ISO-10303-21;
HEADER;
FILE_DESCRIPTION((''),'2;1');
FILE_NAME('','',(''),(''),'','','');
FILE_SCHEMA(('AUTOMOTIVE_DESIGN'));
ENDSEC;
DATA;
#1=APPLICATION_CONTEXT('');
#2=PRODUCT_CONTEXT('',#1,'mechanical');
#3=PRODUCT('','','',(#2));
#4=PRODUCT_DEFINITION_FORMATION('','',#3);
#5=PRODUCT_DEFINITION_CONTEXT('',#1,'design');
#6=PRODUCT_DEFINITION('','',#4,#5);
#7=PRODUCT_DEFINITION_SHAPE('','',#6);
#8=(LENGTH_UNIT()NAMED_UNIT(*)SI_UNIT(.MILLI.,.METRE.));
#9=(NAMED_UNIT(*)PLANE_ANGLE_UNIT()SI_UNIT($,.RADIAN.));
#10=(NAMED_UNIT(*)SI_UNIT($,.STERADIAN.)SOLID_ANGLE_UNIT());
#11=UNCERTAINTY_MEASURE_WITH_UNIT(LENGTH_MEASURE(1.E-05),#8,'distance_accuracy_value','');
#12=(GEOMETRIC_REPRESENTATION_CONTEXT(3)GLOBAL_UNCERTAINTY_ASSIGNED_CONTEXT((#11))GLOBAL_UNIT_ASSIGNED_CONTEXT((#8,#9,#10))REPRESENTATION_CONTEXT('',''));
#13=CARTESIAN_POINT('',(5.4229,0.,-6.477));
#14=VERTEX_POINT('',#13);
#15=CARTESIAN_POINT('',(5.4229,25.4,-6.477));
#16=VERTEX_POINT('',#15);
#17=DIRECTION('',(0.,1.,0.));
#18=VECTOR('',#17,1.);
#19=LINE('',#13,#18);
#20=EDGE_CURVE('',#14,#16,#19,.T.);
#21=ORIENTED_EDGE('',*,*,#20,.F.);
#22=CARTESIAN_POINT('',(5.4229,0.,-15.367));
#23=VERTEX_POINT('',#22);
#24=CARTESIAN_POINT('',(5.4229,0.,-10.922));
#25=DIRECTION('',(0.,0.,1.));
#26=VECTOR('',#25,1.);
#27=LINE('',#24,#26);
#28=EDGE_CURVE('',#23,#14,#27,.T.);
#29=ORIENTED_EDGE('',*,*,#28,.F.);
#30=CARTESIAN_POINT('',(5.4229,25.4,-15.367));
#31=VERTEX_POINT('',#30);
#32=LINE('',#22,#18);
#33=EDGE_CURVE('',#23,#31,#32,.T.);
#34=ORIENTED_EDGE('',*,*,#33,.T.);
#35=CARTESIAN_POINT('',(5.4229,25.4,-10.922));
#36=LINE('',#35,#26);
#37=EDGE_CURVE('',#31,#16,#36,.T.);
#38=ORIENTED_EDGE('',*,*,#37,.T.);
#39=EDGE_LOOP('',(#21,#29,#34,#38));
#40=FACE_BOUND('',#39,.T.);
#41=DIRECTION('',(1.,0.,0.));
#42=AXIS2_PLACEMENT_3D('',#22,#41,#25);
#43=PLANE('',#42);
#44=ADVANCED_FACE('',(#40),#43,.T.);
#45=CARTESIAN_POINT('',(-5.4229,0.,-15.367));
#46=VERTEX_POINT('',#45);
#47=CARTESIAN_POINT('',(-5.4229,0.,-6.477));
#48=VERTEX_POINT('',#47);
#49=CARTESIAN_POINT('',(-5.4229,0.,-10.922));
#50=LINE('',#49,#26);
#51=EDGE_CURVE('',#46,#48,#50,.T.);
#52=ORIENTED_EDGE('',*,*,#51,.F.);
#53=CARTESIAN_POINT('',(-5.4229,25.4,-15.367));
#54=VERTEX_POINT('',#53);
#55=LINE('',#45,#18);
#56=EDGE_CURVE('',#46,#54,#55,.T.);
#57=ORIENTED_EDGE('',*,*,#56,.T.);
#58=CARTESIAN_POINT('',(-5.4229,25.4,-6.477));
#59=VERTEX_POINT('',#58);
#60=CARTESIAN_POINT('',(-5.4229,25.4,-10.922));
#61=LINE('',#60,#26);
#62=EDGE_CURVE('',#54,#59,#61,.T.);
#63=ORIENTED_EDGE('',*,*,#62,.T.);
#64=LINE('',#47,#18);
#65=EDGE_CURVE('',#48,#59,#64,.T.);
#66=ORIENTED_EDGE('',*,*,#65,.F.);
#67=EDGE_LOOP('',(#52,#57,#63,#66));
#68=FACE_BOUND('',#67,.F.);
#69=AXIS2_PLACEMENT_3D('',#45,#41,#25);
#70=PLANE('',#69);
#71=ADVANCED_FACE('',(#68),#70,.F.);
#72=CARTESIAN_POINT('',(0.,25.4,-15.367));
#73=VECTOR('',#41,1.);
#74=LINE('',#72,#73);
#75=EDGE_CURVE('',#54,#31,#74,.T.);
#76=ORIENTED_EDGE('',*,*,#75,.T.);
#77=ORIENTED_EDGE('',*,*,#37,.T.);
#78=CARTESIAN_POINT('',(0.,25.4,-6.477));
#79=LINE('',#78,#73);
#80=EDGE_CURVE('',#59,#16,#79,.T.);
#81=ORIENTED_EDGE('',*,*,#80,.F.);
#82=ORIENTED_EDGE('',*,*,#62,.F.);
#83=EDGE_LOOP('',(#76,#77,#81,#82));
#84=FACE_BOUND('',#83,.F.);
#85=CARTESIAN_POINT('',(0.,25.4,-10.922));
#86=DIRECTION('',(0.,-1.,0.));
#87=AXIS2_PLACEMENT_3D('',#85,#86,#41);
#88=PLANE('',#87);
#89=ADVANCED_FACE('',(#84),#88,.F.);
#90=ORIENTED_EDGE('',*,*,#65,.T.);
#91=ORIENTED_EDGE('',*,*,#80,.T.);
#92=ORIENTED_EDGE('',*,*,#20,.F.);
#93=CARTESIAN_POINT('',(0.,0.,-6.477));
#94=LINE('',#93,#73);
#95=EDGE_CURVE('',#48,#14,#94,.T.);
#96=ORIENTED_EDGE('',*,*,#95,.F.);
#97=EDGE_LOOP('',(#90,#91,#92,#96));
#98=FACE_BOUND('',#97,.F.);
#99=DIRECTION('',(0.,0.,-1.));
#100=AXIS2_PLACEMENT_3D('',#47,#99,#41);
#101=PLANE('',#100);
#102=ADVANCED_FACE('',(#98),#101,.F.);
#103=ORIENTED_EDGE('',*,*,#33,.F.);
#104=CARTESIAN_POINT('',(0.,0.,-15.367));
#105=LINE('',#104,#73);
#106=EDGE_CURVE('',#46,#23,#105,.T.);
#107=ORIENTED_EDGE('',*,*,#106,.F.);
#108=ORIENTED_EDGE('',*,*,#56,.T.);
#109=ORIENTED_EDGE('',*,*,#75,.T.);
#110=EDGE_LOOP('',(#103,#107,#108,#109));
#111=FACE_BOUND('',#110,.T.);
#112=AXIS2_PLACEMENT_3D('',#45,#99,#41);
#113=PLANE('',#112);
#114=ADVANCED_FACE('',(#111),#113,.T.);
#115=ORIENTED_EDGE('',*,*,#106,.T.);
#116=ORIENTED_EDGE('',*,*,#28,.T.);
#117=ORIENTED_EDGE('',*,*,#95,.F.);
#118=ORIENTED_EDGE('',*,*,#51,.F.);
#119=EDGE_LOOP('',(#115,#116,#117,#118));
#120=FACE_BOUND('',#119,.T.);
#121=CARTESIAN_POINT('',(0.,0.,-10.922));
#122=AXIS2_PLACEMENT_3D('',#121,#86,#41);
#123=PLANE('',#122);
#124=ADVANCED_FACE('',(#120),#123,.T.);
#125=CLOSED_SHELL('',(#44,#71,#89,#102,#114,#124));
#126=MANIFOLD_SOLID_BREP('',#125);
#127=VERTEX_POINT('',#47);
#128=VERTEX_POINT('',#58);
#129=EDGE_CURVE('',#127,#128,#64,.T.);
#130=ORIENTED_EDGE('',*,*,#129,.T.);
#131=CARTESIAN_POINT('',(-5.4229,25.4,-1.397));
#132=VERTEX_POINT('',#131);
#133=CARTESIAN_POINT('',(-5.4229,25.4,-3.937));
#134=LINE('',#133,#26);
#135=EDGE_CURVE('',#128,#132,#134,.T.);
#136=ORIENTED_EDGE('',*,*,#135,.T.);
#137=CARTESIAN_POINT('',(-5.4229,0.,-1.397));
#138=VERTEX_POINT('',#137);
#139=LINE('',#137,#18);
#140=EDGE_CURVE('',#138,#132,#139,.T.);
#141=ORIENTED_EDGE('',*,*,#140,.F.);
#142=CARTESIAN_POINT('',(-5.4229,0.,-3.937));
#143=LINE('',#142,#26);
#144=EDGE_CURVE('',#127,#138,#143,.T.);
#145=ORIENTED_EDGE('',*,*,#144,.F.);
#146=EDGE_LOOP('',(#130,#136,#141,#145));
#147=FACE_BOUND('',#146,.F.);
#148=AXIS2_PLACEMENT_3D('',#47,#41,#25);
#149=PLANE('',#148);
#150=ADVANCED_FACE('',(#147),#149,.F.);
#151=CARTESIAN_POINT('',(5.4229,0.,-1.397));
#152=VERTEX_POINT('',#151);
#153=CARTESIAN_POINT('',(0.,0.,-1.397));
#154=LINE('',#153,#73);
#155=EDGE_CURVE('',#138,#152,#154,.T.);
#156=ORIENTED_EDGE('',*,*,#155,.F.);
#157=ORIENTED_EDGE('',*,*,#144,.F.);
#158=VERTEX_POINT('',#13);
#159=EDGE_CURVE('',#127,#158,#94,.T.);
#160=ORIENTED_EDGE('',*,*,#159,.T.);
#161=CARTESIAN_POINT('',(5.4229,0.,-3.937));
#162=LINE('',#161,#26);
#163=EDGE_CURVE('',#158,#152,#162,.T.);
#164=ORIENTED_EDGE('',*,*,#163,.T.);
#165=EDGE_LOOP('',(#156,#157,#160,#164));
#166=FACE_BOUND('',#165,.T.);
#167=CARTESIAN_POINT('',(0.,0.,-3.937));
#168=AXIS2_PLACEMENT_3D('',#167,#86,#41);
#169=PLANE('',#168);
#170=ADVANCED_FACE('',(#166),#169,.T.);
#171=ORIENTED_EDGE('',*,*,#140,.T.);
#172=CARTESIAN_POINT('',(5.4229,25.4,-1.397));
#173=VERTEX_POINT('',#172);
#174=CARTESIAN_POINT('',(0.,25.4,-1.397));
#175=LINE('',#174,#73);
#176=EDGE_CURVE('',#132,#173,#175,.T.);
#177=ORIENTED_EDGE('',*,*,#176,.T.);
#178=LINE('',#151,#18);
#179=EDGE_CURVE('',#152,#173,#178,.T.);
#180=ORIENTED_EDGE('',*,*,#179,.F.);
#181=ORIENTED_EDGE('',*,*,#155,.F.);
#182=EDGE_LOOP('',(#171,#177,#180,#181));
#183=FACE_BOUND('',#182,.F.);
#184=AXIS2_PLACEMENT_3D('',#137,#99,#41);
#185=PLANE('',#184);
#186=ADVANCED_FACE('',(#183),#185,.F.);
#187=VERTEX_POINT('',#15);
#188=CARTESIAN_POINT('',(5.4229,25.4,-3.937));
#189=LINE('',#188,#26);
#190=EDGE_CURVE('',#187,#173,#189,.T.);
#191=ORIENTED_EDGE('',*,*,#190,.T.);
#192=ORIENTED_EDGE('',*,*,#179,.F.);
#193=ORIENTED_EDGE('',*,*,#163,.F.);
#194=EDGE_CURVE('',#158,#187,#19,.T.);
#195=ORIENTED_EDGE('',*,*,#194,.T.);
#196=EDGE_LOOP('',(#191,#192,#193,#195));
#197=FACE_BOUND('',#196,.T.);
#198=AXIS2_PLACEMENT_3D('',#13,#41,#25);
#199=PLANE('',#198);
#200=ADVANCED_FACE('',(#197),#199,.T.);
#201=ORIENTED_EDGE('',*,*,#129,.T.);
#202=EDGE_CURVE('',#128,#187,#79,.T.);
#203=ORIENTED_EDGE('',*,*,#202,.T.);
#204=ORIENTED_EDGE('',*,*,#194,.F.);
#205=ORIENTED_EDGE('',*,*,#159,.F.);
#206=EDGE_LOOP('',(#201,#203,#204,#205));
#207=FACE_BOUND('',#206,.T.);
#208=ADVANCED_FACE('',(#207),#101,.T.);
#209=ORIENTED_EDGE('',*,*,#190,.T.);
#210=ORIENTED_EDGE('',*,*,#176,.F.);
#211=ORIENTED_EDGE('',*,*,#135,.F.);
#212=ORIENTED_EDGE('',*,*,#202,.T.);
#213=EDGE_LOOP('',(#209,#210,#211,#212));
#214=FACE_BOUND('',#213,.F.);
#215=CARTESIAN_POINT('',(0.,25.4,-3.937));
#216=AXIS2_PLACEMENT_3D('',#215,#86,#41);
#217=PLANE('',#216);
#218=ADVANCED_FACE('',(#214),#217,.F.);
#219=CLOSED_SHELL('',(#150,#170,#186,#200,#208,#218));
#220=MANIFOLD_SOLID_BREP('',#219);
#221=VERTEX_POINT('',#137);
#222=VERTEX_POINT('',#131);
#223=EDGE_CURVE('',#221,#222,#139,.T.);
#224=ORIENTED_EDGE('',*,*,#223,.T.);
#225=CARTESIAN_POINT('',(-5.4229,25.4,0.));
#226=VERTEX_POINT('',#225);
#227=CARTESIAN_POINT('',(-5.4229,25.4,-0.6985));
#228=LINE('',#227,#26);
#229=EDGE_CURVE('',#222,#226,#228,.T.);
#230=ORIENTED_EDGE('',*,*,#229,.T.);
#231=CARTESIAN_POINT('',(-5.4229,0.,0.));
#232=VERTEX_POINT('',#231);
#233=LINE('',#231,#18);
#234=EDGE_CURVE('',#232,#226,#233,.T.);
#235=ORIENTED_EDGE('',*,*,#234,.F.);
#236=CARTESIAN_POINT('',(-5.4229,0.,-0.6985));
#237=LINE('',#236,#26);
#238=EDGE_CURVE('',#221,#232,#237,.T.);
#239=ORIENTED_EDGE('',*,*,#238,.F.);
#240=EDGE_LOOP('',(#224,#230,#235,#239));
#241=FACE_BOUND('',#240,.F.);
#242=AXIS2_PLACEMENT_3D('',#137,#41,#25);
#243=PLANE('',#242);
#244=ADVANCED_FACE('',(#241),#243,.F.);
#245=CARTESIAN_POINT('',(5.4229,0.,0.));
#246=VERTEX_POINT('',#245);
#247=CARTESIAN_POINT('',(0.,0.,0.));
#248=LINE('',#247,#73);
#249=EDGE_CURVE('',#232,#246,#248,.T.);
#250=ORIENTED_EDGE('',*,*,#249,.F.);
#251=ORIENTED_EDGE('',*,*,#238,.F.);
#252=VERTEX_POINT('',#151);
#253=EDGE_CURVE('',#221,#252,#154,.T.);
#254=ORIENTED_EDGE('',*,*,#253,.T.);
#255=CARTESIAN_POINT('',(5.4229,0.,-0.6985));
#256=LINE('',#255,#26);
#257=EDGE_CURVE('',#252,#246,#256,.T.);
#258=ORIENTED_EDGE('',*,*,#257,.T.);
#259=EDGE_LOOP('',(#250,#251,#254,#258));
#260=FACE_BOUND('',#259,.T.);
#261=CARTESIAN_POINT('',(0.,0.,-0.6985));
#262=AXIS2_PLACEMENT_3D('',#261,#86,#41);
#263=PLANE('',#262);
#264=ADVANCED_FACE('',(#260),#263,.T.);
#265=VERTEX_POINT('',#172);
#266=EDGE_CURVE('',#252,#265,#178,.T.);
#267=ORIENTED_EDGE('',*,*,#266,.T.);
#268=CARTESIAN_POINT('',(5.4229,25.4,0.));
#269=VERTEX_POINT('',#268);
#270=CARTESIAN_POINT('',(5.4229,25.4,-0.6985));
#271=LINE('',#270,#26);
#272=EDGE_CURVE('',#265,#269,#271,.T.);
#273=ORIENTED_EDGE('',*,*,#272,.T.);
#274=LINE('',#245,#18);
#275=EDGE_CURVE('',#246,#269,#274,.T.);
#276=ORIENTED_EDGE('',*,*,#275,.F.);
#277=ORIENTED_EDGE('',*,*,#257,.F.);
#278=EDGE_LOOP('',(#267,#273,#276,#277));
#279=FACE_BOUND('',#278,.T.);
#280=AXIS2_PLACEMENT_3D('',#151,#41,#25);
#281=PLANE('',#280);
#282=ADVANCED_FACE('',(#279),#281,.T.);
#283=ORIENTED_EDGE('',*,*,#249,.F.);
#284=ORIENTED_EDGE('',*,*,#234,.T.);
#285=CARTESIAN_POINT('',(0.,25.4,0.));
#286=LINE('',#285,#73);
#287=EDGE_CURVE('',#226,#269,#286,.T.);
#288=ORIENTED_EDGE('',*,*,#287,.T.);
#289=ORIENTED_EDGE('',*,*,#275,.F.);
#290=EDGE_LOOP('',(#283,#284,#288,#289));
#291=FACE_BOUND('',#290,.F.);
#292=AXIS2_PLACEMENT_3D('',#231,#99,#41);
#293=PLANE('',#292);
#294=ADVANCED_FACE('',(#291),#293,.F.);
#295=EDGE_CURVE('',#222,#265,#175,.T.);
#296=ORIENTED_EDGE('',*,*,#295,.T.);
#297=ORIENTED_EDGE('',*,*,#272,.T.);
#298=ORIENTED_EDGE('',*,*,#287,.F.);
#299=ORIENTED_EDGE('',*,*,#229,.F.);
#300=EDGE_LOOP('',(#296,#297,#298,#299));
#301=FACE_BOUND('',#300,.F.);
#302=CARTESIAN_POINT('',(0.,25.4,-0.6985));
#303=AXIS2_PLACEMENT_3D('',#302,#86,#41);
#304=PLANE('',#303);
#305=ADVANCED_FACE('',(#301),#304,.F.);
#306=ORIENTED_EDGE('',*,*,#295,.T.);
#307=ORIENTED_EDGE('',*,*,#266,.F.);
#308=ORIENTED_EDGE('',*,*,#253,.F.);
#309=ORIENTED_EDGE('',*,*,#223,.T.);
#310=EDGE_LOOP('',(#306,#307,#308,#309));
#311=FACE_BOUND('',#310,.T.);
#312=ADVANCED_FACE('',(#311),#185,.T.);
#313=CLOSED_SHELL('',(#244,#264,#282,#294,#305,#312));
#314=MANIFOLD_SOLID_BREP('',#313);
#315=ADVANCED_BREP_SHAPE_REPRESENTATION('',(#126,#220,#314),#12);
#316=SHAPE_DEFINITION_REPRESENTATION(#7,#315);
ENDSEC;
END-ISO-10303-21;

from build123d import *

# Parameters (mm, degrees)
F0_W     = 10.8458
F0_H     = 1.397
F1_DEPTH = 25.4
F2_W     = 10.8458
F2_H     = 5.08
F3_DEPTH = 25.4
F4_W     = 10.8458
F4_H     = 8.89
F5_DEPTH = 25.4


with BuildPart() as f1:
    # F0 (on Front) → F1 (new body)
    with BuildSketch(Plane.XZ):
        with Locations((0, -0.6985)):
            Rectangle(F0_W, F0_H)
    extrude(amount=-F1_DEPTH)


with BuildPart() as f3:
    # F2 (on Front) → F3 (new body)
    with BuildSketch(Plane.XZ):
        with Locations((0, -3.937)):
            Rectangle(F2_W, F2_H)
    extrude(amount=-F3_DEPTH)


with BuildPart() as f5:
    # F4 (on Front) → F5 (new body)
    with BuildSketch(Plane.XZ):
        with Locations((0, -10.922)):
            Rectangle(F4_W, F4_H)
    extrude(amount=-F5_DEPTH)


solid = Compound([f1.part, f3.part, f5.part])
